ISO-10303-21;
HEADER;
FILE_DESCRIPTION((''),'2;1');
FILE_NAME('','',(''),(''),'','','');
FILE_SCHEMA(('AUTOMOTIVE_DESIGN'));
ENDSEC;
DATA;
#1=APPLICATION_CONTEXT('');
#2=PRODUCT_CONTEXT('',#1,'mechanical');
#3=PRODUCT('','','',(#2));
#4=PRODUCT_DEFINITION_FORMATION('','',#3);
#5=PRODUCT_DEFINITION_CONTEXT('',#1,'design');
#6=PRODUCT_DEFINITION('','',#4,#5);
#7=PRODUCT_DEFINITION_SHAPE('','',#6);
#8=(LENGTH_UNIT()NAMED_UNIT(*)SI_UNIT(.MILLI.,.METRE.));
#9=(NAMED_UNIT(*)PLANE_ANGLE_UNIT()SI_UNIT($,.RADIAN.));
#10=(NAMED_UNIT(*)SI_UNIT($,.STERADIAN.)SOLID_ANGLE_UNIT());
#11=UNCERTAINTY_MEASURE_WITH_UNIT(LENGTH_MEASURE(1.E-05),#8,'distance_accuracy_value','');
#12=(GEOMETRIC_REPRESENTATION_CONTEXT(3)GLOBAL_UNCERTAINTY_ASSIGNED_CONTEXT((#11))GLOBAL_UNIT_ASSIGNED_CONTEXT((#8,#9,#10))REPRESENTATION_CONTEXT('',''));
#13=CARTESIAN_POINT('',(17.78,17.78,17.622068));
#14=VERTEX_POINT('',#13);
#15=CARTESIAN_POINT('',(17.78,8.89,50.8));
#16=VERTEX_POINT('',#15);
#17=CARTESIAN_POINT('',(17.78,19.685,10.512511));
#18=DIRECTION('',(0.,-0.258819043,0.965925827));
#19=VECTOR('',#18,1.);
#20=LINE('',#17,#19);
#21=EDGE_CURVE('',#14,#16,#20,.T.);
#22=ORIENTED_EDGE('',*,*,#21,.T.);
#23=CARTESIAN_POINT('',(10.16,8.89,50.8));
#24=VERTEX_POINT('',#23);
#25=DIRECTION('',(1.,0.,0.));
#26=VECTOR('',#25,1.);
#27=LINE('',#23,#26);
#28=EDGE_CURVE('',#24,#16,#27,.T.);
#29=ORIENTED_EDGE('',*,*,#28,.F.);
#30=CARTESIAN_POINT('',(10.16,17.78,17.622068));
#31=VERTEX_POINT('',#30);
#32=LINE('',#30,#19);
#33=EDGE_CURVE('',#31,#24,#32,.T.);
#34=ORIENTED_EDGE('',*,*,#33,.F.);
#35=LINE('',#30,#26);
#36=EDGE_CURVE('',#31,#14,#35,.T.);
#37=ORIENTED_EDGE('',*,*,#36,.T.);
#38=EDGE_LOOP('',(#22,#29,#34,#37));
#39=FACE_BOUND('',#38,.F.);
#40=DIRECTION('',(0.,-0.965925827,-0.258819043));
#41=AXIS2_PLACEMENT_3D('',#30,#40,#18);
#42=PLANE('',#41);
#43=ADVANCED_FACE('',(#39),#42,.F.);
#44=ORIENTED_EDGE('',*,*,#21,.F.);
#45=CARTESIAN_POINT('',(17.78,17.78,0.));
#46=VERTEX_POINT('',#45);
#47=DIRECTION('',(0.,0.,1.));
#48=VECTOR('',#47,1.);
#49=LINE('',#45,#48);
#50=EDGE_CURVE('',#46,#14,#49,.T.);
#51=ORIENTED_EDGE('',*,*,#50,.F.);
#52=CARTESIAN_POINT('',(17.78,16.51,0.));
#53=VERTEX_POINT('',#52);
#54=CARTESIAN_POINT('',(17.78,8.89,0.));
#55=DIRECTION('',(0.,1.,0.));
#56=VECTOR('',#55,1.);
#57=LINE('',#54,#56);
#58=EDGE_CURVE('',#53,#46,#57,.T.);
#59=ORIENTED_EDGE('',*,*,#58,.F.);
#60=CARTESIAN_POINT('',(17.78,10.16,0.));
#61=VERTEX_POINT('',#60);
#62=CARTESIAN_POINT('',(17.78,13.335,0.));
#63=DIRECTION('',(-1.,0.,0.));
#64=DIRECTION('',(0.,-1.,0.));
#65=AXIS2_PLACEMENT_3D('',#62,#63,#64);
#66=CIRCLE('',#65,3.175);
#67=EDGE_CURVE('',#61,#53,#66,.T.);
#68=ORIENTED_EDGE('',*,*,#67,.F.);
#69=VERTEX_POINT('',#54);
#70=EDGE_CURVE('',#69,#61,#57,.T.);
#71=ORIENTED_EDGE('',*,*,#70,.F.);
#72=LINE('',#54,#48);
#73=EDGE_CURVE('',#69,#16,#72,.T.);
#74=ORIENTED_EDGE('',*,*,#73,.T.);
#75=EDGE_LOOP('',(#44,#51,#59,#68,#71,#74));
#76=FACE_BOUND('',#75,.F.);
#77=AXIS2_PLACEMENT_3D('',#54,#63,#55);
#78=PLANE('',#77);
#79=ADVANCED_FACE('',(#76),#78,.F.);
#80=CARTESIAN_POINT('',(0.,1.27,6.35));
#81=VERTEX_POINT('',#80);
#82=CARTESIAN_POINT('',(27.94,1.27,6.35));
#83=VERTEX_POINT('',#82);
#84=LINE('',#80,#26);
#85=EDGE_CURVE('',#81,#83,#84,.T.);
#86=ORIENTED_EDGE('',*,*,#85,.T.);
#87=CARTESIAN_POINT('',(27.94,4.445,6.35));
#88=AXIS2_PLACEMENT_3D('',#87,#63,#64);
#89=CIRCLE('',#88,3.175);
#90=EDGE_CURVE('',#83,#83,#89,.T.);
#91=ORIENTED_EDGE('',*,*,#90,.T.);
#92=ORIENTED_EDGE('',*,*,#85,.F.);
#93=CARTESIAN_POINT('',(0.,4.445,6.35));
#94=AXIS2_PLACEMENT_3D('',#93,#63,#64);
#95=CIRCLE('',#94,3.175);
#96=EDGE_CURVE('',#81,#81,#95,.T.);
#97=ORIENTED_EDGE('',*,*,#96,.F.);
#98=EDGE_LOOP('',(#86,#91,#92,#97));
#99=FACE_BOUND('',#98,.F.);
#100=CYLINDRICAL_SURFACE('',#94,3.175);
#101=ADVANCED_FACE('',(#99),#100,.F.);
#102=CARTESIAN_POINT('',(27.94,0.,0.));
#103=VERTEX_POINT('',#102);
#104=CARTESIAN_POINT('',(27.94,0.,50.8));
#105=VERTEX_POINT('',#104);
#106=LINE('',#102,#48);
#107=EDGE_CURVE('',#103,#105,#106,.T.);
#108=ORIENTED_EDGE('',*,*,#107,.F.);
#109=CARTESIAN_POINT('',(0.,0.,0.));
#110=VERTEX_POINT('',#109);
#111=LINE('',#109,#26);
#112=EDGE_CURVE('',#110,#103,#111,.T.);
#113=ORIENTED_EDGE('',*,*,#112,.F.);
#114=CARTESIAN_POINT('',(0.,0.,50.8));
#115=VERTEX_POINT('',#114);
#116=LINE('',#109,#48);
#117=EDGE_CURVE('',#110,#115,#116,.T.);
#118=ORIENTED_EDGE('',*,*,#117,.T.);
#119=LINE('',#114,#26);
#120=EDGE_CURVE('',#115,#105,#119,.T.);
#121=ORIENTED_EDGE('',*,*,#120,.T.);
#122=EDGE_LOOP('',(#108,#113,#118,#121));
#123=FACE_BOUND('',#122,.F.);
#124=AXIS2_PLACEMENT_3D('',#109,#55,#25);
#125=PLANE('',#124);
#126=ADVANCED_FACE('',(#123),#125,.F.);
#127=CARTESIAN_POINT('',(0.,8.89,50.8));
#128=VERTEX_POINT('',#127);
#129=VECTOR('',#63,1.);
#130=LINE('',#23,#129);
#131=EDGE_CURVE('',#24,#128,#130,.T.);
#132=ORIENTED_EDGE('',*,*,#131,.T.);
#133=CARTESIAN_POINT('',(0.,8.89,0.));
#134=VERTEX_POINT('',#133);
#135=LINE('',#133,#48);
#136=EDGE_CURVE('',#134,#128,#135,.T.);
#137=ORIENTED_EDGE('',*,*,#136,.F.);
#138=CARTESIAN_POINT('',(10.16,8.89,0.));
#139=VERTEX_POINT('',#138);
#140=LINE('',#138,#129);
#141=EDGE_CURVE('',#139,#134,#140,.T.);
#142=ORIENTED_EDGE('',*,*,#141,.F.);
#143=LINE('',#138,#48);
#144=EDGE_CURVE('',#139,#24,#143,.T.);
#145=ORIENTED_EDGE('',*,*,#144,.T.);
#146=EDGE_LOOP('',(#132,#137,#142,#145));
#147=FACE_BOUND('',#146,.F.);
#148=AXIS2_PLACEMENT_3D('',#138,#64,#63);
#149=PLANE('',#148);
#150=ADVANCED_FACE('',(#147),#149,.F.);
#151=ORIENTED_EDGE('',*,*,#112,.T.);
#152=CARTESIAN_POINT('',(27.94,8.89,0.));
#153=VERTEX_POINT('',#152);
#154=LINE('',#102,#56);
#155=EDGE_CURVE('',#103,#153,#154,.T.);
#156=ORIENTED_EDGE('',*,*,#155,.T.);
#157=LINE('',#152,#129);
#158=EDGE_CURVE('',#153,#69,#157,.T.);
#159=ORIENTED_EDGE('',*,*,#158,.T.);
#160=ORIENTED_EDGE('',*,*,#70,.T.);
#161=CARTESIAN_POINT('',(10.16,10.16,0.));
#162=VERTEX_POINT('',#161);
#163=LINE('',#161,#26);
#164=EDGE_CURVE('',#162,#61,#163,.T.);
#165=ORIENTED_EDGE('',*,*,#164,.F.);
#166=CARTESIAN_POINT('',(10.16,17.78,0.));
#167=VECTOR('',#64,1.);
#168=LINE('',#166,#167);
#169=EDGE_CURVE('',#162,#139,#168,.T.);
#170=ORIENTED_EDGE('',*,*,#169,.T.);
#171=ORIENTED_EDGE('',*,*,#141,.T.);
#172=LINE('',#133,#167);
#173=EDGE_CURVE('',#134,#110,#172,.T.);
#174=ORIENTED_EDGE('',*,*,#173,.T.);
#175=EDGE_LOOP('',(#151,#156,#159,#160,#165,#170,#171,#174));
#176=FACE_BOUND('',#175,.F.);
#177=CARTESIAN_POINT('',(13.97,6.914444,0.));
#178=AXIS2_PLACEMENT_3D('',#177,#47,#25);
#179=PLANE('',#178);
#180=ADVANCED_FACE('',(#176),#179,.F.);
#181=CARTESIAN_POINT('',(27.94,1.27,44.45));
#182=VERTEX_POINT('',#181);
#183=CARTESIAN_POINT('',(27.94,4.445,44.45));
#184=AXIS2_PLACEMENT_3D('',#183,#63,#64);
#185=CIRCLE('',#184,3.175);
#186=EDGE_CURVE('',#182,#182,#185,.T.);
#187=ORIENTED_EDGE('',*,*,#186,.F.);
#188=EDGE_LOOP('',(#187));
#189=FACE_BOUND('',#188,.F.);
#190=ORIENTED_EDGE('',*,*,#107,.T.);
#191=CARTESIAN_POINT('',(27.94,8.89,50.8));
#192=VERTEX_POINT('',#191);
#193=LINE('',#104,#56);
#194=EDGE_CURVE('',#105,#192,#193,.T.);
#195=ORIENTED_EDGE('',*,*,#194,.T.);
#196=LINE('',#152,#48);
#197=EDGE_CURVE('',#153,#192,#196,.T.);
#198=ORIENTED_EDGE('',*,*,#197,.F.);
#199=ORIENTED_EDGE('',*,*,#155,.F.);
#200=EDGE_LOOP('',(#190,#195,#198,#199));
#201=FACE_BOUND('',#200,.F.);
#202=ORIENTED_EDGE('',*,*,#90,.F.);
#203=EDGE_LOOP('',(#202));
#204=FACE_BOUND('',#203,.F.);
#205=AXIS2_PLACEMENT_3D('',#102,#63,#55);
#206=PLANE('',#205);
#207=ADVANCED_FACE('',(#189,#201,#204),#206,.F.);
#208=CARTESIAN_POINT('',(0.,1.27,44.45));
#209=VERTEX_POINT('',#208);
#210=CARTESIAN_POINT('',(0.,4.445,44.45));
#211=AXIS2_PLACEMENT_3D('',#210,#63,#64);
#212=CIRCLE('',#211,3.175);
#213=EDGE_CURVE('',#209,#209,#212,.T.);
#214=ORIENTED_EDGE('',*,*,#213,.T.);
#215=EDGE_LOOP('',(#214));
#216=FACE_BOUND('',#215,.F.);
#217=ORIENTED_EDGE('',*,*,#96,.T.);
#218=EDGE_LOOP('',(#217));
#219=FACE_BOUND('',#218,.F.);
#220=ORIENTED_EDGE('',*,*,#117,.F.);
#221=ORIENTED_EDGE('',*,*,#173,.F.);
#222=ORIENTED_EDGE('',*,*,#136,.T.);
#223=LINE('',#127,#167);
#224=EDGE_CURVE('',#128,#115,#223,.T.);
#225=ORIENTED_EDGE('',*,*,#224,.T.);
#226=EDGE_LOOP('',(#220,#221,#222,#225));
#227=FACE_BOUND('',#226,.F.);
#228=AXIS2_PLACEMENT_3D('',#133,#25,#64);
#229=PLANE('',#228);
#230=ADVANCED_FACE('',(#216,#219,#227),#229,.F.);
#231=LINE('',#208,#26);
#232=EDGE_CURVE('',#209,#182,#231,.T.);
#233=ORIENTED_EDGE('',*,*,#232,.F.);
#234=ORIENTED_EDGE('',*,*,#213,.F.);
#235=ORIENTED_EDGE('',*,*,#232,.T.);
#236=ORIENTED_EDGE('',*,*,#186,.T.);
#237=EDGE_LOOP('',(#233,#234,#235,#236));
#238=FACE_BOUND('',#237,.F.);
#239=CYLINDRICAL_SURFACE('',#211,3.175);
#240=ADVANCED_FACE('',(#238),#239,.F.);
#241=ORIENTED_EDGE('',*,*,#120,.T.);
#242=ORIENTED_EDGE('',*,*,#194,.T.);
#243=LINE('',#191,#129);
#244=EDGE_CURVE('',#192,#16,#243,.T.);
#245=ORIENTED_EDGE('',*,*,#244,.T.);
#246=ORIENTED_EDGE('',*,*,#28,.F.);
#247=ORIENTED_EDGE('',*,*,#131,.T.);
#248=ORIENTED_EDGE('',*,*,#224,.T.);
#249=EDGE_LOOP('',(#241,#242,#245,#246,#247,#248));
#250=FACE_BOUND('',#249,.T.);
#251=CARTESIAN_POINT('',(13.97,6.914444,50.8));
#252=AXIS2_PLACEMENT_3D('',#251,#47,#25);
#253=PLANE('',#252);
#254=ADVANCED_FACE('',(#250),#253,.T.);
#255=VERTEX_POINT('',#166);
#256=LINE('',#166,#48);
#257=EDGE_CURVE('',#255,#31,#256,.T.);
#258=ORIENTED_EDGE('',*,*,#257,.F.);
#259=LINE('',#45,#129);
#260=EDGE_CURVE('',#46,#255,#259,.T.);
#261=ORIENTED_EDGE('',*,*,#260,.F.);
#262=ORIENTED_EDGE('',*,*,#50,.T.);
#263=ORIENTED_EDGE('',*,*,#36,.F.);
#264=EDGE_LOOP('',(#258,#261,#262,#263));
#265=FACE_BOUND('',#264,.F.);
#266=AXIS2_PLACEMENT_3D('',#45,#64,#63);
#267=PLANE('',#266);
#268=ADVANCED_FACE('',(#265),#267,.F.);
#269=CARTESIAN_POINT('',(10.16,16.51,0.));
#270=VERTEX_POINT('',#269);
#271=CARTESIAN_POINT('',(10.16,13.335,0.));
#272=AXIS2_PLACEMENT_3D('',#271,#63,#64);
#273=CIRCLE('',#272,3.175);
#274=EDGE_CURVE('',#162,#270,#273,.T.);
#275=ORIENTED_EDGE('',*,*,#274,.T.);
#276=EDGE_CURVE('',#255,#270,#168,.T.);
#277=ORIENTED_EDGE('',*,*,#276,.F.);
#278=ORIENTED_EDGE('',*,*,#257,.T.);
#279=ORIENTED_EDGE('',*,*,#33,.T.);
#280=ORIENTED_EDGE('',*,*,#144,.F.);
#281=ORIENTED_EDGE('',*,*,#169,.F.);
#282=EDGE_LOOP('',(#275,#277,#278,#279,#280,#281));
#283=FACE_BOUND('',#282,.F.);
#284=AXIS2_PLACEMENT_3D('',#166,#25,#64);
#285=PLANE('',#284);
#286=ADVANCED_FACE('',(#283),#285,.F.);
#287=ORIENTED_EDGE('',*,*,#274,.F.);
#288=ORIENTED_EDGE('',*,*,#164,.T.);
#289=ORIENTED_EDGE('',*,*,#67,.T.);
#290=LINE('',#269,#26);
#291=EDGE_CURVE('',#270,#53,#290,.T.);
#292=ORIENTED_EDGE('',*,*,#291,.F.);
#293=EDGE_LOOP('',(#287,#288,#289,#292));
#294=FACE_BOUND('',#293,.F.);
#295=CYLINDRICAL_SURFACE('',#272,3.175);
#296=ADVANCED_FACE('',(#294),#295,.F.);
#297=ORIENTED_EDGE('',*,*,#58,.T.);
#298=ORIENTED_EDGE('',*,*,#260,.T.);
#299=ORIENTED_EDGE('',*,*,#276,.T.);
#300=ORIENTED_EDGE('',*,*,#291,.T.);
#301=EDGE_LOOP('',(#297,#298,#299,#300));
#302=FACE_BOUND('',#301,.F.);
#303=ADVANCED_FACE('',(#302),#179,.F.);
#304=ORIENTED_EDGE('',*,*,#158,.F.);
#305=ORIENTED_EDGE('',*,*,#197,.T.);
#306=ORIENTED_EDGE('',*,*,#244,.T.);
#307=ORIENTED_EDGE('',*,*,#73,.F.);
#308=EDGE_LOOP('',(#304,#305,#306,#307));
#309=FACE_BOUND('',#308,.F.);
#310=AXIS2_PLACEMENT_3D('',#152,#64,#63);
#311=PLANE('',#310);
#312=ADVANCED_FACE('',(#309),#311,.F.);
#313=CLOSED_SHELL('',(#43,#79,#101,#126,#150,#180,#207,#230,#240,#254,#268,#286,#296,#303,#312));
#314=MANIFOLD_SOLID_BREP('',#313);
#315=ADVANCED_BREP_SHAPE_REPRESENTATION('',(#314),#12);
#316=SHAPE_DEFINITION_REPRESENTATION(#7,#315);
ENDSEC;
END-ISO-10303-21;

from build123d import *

# Parameters (mm, degrees)
F1_DEPTH = 50.8
F3_DEPTH = 25.4
F4_R     = 3.175
F5_DEPTH = 38.1


with BuildPart() as f1:
    # F0 (on Top) → F1 (new body)
    with BuildSketch(Plane.XY):
        Polygon((0, 8.89), (0, 0), (27.94, 0), (27.94, 8.89), (17.78, 8.89), (17.78, 17.78), (10.16, 17.78), (10.16, 8.89), align=None)
    extrude(amount=F1_DEPTH)

    # F2 (on face) → F3 (cut)
    with BuildSketch(Plane(origin=(10.16, 0, 0), x_dir=(0, -1, 0), z_dir=(-1, 0, 0))):
        Polygon((-17.78, 17.622068), (-8.89, 50.8), (-17.78, 50.8), align=None)
        with BuildLine():
            Line((-16.51, 0), (-10.16, 0))
            ThreePointArc((-10.16, 0), (-13.335, 3.175), (-16.51, 0))
        make_face()
    extrude(amount=-F3_DEPTH, mode=Mode.SUBTRACT)

    # F4 (on face) → F5 (cut)
    with BuildSketch(Plane(origin=(0, 0, 0), x_dir=(0, -1, 0), z_dir=(-1, 0, 0))):
        with Locations((-4.445, 44.45)):
            Circle(F4_R)
        with Locations((-4.445, 6.35)):
            Circle(F4_R)
    extrude(amount=-F5_DEPTH, mode=Mode.SUBTRACT)


solid = f1.part
